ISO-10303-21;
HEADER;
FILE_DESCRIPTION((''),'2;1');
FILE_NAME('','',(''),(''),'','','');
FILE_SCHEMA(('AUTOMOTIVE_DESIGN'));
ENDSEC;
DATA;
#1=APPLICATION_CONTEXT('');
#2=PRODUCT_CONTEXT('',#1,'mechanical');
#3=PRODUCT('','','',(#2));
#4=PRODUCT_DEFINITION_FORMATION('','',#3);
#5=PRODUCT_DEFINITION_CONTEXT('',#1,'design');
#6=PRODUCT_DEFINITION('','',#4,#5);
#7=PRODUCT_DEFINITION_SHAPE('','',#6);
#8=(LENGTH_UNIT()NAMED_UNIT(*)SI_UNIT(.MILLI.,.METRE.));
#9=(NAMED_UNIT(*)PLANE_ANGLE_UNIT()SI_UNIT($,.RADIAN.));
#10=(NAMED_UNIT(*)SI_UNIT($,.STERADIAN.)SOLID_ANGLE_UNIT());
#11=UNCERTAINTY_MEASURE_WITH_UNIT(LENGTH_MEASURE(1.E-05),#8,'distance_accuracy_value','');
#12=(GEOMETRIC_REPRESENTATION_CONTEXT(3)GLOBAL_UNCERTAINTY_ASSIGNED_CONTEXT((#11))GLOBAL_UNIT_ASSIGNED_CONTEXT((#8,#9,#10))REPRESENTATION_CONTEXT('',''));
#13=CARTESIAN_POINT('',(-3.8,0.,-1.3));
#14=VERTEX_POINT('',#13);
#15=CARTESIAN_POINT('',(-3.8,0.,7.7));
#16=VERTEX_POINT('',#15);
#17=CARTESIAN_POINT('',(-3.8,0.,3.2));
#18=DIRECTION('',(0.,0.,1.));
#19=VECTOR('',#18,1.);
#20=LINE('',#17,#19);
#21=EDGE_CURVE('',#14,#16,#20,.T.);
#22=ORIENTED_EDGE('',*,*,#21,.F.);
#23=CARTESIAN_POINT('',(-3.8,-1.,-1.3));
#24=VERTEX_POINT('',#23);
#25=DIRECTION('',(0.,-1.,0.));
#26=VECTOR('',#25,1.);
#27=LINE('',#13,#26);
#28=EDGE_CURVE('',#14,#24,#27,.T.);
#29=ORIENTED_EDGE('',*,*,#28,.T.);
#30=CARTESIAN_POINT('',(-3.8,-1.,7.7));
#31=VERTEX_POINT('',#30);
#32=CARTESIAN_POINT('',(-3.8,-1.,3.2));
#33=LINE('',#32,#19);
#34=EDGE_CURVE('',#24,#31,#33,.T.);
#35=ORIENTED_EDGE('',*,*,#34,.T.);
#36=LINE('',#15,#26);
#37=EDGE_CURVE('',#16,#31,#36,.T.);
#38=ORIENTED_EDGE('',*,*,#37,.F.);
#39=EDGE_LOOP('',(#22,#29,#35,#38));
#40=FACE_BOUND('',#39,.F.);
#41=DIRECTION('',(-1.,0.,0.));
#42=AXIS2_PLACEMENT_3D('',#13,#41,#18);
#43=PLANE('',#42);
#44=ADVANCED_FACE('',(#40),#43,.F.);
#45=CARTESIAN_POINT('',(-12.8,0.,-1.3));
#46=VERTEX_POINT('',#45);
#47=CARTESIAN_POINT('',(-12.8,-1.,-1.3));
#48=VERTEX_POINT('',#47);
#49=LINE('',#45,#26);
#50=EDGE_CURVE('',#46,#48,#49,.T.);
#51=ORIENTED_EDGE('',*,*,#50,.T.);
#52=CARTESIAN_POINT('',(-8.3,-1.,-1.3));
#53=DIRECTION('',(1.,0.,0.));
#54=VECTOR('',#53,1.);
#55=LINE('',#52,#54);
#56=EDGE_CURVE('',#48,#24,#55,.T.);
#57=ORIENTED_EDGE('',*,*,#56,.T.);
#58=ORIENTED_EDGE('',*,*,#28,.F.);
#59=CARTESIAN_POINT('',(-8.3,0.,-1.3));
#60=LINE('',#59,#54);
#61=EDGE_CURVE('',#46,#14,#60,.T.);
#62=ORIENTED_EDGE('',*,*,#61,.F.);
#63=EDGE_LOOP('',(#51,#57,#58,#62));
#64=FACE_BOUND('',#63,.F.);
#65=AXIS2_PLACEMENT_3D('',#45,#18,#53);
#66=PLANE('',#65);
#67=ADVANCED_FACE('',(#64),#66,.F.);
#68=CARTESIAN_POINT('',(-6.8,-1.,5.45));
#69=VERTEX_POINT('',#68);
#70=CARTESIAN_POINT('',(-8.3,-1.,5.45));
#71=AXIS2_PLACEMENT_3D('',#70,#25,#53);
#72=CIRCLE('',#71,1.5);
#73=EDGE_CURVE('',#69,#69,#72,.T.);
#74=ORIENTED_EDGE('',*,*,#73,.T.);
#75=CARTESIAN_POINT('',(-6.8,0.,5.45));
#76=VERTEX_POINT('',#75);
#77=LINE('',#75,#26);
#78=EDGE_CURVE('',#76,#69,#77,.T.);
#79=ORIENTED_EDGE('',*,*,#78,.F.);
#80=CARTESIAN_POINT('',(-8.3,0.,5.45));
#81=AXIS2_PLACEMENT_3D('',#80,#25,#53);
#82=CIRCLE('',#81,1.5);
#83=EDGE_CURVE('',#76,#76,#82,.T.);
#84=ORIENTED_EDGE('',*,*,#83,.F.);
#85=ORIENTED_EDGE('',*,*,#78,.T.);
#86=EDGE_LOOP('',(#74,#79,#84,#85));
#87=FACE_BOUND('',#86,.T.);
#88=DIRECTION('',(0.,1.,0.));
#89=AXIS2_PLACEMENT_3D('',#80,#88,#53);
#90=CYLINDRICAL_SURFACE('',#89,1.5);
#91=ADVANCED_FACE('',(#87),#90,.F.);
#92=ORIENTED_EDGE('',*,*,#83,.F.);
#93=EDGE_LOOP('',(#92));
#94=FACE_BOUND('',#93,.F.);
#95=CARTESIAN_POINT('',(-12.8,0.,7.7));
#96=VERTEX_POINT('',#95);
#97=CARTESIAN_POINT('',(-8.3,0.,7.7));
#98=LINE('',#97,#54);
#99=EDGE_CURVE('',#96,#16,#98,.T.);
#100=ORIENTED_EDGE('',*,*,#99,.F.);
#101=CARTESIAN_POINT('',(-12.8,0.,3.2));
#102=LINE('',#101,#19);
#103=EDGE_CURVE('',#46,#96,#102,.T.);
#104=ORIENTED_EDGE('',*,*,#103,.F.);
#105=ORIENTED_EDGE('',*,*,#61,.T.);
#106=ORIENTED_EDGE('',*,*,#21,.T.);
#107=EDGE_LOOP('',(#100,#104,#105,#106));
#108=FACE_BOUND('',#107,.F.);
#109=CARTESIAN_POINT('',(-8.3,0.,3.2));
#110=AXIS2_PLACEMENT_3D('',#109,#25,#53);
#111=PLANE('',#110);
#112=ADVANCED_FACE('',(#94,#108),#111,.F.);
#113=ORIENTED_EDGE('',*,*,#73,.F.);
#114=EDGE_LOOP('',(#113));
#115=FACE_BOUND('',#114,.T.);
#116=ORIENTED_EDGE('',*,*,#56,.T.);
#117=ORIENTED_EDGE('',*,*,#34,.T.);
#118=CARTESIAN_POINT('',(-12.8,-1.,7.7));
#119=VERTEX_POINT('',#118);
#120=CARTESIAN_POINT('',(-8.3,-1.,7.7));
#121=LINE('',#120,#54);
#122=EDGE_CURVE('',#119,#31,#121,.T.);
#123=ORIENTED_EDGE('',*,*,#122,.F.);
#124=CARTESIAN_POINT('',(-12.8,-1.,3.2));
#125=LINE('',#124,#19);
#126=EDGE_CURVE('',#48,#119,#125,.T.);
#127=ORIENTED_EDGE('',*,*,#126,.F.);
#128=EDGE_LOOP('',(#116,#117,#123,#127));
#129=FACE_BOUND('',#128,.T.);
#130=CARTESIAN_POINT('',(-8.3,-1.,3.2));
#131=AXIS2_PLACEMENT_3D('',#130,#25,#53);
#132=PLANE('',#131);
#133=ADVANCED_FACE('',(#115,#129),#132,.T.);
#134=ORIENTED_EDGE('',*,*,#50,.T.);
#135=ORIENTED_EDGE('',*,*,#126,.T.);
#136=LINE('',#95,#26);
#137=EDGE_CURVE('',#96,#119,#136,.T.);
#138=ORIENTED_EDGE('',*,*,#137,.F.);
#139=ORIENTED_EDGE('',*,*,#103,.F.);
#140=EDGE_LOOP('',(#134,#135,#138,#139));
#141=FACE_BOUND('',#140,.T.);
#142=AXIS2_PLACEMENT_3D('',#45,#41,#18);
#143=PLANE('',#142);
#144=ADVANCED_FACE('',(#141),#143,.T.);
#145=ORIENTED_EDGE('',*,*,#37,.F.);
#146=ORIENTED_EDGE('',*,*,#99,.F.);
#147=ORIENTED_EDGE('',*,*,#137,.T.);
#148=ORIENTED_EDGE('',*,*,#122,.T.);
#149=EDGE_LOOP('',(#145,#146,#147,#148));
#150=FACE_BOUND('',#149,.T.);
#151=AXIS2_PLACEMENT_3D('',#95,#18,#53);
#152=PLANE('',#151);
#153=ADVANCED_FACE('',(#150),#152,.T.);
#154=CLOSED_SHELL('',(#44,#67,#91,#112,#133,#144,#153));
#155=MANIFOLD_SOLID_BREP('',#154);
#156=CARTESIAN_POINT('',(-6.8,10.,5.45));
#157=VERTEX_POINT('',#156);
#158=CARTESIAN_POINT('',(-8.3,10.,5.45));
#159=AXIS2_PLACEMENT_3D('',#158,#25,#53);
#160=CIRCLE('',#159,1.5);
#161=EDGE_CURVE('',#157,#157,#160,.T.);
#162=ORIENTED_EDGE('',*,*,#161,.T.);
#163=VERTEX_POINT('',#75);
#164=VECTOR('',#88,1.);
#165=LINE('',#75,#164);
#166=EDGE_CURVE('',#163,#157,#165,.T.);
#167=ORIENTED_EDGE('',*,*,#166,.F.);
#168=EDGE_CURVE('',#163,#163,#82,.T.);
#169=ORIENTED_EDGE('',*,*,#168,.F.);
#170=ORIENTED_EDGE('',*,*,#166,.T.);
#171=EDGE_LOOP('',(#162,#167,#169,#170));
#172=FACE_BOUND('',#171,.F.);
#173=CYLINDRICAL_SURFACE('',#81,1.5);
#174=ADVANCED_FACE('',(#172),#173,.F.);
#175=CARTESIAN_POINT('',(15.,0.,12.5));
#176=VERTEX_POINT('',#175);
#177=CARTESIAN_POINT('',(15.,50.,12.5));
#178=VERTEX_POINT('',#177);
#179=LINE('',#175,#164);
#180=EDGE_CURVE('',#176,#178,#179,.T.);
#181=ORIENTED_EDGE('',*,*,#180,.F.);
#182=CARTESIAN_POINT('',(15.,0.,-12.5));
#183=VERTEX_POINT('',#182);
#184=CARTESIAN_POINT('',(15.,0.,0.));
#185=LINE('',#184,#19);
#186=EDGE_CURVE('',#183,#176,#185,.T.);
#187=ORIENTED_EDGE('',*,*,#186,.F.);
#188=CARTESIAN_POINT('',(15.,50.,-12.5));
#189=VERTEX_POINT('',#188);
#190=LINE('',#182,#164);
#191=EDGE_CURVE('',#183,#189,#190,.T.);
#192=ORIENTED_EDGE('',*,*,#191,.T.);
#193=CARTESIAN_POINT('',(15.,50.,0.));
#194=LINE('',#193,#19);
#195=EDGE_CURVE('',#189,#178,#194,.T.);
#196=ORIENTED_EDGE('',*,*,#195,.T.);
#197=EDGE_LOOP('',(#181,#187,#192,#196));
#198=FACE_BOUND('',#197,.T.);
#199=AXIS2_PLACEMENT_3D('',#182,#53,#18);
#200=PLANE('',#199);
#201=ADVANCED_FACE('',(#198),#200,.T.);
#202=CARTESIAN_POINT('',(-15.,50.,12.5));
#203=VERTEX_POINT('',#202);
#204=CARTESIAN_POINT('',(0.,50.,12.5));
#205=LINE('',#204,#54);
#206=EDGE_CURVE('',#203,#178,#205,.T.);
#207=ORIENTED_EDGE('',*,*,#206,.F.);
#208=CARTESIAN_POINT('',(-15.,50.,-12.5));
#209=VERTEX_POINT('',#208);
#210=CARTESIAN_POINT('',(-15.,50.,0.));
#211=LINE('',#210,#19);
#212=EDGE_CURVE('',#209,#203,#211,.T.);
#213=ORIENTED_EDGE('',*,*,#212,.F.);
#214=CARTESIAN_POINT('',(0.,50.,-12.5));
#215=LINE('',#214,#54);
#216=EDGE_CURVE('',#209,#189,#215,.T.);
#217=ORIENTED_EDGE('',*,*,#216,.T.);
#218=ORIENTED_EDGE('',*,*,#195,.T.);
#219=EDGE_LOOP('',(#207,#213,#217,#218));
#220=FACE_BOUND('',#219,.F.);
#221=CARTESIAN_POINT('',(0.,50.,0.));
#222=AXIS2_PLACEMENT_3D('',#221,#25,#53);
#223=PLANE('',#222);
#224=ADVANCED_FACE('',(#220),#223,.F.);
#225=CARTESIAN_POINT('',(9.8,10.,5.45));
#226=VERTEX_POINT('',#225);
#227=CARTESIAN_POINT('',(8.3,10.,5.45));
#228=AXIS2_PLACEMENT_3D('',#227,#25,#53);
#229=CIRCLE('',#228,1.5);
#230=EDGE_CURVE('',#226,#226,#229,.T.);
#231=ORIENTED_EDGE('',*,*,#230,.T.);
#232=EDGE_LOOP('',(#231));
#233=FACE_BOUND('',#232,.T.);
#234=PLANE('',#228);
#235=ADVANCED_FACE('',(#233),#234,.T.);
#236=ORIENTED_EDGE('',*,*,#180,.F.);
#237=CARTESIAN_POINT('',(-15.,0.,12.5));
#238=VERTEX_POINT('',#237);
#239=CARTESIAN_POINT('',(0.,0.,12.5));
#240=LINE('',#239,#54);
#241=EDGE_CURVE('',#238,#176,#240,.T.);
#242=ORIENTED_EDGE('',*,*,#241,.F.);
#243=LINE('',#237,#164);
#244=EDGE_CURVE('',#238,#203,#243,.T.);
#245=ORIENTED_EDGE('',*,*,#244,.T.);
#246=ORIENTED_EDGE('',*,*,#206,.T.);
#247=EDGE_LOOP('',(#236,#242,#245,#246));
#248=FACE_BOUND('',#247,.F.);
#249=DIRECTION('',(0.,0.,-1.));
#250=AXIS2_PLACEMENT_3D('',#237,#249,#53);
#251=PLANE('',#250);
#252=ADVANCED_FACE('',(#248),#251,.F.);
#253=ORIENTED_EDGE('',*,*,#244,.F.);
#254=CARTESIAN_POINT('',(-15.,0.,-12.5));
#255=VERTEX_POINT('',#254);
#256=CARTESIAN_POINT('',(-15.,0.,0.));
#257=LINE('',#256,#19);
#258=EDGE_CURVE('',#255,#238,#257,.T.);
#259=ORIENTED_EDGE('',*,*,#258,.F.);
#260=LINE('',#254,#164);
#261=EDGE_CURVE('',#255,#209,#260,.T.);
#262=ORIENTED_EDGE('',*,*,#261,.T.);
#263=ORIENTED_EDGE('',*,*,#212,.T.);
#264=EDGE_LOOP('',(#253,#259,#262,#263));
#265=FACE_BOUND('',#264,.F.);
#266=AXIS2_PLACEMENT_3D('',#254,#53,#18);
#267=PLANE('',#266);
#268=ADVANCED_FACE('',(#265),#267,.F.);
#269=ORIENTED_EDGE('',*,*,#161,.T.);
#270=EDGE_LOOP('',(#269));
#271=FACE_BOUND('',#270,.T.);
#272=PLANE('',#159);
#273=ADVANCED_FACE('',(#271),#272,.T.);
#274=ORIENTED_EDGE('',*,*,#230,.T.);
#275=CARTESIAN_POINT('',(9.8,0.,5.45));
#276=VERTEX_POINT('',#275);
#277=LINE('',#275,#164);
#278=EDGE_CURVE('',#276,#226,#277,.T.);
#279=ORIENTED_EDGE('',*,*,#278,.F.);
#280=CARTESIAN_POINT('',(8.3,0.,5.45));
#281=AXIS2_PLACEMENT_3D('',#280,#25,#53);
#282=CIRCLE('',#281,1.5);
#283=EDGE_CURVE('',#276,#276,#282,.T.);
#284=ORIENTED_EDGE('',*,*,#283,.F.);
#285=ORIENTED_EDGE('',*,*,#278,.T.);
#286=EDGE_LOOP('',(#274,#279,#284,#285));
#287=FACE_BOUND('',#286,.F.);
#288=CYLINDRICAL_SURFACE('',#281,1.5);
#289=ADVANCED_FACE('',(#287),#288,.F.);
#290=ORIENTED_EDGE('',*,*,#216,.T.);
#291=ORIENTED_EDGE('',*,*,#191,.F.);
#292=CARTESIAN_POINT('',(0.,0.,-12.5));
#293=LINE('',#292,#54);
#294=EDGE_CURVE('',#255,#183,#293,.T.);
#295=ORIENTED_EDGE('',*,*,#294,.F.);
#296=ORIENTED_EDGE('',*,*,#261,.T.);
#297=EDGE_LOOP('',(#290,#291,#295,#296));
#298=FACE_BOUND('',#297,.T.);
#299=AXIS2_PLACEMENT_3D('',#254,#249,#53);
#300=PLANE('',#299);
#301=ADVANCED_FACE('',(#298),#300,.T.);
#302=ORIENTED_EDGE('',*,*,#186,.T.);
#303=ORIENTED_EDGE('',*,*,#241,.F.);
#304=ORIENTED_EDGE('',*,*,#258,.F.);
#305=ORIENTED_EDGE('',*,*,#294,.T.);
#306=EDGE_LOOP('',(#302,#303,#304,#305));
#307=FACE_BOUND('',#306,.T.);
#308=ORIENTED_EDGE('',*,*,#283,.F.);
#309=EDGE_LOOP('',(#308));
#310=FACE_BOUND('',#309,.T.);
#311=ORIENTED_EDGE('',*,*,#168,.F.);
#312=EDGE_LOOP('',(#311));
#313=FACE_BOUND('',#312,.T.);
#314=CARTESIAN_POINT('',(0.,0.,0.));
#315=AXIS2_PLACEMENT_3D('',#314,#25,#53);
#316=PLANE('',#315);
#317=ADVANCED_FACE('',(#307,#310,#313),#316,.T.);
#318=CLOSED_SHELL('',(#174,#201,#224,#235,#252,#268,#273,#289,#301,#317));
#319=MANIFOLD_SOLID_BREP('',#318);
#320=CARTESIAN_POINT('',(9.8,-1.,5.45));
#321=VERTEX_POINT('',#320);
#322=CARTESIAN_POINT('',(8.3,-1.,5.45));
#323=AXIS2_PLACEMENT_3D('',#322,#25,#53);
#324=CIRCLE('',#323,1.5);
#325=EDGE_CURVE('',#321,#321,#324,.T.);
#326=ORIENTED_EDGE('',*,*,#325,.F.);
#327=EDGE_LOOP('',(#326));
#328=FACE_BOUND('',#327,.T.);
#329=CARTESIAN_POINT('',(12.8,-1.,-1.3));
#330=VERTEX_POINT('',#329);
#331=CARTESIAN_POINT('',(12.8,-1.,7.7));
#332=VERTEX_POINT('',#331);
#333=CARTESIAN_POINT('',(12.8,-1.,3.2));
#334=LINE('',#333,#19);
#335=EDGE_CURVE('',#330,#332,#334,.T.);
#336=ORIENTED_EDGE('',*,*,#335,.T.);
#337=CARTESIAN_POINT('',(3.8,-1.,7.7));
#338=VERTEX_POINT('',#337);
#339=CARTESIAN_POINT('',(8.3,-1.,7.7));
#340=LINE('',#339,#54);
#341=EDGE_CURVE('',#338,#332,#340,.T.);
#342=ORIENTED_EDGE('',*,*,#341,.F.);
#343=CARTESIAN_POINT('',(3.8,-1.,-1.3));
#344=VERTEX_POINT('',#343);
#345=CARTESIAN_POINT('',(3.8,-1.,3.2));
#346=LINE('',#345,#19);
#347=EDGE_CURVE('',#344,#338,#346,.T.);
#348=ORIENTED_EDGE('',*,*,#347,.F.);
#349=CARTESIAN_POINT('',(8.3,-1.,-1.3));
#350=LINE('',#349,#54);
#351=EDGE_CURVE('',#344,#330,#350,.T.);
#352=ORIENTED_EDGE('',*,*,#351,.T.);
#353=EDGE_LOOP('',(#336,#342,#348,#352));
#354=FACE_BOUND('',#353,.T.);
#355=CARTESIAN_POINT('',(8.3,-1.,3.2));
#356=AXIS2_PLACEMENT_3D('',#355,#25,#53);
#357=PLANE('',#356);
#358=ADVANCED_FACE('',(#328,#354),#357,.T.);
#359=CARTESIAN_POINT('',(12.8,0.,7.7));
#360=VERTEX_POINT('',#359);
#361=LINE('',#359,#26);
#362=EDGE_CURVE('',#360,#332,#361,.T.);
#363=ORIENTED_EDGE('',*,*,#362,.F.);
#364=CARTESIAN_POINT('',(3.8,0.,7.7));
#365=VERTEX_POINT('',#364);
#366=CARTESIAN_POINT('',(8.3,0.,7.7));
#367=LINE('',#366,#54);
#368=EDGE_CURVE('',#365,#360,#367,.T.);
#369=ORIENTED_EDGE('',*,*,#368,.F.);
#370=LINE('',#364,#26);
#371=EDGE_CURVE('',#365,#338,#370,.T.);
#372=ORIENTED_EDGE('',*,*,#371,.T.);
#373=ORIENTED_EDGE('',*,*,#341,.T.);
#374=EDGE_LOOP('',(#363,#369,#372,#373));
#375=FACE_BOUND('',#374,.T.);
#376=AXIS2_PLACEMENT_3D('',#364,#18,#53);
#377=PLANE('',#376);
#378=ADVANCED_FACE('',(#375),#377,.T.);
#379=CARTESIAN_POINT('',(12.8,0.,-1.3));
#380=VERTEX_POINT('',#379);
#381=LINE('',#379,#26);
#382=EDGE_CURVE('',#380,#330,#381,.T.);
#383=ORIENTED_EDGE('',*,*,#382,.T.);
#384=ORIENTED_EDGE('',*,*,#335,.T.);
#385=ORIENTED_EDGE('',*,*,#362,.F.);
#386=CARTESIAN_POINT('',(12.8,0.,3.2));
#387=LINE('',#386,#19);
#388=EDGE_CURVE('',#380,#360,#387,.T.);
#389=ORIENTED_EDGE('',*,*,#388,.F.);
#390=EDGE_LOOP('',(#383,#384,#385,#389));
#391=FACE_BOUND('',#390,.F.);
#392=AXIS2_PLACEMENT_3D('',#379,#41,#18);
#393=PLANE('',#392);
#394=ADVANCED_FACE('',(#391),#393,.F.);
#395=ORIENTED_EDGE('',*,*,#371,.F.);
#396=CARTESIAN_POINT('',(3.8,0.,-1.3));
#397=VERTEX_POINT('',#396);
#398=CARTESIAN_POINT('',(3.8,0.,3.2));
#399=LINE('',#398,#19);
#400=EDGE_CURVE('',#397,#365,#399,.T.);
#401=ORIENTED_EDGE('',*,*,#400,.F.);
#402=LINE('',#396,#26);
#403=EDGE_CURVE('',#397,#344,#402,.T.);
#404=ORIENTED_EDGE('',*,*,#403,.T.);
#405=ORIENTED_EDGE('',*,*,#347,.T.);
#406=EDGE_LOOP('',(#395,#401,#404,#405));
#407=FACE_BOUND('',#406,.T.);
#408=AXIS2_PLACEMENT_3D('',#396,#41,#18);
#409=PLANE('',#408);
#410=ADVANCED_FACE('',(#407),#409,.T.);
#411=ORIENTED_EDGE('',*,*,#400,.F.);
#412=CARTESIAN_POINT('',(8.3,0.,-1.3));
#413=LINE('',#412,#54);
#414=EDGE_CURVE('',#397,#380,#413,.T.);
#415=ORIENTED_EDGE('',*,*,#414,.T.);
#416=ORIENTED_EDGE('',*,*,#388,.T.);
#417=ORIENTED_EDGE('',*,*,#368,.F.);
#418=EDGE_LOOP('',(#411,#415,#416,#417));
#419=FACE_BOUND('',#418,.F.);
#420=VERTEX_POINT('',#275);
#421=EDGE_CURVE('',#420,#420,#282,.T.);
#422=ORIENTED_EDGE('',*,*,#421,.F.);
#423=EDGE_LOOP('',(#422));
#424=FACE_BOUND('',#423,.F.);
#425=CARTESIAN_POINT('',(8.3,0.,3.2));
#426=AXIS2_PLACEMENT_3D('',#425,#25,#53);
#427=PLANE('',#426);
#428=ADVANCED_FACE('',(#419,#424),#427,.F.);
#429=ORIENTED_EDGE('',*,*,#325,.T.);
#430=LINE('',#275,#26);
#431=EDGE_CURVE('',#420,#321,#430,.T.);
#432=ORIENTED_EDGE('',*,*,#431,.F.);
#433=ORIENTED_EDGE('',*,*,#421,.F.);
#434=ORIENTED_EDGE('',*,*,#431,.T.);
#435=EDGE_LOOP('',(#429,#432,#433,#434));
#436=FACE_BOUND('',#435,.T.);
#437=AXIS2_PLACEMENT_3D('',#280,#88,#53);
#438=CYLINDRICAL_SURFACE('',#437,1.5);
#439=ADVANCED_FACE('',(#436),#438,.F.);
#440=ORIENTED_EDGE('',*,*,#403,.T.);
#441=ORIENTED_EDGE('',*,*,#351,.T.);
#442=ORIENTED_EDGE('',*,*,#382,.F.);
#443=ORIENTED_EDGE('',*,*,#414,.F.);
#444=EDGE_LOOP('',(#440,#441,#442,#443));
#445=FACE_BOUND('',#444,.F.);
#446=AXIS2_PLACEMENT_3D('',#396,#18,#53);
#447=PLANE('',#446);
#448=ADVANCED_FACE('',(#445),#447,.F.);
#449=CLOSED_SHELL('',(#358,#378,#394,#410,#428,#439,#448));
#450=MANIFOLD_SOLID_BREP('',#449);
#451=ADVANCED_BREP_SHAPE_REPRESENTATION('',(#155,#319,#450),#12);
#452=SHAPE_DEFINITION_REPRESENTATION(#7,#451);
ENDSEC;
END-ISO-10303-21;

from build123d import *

# Parameters (mm, degrees)
F0_W     = 30
F0_H     = 25
F1_DEPTH = 50
F2_R     = 1.5
F3_DEPTH = 10
F2_W     = 9
F2_H     = 9
F4_DEPTH = 1


with BuildPart() as f1:
    # F0 (on Front) → F1 (new body)
    with BuildSketch(Plane.XZ):
        Rectangle(F0_W, F0_H)
    extrude(amount=-F1_DEPTH)

    # F2 (on face) → F3 (cut)
    with BuildSketch(Plane.XZ):
        with Locations((-8.3, 5.45)):
            Circle(F2_R)
        with Locations((8.3, 5.45)):
            Circle(F2_R)
    extrude(amount=-F3_DEPTH, mode=Mode.SUBTRACT)


with BuildPart() as f4:
    # F2 (on face) → F4 (new body)
    with BuildSketch(Plane.XZ):
        with Locations((-8.3, 3.2)):
            Rectangle(F2_W, F2_H)
        with Locations((-8.3, 5.45)):
            Circle(F2_R, mode=Mode.SUBTRACT)
        with Locations((8.3, 3.2)):
            Rectangle(F2_W, F2_H)
        with Locations((8.3, 5.45)):
            Circle(F2_R, mode=Mode.SUBTRACT)
    extrude(amount=F4_DEPTH)


solid = Compound([f1.part, f4.part])
